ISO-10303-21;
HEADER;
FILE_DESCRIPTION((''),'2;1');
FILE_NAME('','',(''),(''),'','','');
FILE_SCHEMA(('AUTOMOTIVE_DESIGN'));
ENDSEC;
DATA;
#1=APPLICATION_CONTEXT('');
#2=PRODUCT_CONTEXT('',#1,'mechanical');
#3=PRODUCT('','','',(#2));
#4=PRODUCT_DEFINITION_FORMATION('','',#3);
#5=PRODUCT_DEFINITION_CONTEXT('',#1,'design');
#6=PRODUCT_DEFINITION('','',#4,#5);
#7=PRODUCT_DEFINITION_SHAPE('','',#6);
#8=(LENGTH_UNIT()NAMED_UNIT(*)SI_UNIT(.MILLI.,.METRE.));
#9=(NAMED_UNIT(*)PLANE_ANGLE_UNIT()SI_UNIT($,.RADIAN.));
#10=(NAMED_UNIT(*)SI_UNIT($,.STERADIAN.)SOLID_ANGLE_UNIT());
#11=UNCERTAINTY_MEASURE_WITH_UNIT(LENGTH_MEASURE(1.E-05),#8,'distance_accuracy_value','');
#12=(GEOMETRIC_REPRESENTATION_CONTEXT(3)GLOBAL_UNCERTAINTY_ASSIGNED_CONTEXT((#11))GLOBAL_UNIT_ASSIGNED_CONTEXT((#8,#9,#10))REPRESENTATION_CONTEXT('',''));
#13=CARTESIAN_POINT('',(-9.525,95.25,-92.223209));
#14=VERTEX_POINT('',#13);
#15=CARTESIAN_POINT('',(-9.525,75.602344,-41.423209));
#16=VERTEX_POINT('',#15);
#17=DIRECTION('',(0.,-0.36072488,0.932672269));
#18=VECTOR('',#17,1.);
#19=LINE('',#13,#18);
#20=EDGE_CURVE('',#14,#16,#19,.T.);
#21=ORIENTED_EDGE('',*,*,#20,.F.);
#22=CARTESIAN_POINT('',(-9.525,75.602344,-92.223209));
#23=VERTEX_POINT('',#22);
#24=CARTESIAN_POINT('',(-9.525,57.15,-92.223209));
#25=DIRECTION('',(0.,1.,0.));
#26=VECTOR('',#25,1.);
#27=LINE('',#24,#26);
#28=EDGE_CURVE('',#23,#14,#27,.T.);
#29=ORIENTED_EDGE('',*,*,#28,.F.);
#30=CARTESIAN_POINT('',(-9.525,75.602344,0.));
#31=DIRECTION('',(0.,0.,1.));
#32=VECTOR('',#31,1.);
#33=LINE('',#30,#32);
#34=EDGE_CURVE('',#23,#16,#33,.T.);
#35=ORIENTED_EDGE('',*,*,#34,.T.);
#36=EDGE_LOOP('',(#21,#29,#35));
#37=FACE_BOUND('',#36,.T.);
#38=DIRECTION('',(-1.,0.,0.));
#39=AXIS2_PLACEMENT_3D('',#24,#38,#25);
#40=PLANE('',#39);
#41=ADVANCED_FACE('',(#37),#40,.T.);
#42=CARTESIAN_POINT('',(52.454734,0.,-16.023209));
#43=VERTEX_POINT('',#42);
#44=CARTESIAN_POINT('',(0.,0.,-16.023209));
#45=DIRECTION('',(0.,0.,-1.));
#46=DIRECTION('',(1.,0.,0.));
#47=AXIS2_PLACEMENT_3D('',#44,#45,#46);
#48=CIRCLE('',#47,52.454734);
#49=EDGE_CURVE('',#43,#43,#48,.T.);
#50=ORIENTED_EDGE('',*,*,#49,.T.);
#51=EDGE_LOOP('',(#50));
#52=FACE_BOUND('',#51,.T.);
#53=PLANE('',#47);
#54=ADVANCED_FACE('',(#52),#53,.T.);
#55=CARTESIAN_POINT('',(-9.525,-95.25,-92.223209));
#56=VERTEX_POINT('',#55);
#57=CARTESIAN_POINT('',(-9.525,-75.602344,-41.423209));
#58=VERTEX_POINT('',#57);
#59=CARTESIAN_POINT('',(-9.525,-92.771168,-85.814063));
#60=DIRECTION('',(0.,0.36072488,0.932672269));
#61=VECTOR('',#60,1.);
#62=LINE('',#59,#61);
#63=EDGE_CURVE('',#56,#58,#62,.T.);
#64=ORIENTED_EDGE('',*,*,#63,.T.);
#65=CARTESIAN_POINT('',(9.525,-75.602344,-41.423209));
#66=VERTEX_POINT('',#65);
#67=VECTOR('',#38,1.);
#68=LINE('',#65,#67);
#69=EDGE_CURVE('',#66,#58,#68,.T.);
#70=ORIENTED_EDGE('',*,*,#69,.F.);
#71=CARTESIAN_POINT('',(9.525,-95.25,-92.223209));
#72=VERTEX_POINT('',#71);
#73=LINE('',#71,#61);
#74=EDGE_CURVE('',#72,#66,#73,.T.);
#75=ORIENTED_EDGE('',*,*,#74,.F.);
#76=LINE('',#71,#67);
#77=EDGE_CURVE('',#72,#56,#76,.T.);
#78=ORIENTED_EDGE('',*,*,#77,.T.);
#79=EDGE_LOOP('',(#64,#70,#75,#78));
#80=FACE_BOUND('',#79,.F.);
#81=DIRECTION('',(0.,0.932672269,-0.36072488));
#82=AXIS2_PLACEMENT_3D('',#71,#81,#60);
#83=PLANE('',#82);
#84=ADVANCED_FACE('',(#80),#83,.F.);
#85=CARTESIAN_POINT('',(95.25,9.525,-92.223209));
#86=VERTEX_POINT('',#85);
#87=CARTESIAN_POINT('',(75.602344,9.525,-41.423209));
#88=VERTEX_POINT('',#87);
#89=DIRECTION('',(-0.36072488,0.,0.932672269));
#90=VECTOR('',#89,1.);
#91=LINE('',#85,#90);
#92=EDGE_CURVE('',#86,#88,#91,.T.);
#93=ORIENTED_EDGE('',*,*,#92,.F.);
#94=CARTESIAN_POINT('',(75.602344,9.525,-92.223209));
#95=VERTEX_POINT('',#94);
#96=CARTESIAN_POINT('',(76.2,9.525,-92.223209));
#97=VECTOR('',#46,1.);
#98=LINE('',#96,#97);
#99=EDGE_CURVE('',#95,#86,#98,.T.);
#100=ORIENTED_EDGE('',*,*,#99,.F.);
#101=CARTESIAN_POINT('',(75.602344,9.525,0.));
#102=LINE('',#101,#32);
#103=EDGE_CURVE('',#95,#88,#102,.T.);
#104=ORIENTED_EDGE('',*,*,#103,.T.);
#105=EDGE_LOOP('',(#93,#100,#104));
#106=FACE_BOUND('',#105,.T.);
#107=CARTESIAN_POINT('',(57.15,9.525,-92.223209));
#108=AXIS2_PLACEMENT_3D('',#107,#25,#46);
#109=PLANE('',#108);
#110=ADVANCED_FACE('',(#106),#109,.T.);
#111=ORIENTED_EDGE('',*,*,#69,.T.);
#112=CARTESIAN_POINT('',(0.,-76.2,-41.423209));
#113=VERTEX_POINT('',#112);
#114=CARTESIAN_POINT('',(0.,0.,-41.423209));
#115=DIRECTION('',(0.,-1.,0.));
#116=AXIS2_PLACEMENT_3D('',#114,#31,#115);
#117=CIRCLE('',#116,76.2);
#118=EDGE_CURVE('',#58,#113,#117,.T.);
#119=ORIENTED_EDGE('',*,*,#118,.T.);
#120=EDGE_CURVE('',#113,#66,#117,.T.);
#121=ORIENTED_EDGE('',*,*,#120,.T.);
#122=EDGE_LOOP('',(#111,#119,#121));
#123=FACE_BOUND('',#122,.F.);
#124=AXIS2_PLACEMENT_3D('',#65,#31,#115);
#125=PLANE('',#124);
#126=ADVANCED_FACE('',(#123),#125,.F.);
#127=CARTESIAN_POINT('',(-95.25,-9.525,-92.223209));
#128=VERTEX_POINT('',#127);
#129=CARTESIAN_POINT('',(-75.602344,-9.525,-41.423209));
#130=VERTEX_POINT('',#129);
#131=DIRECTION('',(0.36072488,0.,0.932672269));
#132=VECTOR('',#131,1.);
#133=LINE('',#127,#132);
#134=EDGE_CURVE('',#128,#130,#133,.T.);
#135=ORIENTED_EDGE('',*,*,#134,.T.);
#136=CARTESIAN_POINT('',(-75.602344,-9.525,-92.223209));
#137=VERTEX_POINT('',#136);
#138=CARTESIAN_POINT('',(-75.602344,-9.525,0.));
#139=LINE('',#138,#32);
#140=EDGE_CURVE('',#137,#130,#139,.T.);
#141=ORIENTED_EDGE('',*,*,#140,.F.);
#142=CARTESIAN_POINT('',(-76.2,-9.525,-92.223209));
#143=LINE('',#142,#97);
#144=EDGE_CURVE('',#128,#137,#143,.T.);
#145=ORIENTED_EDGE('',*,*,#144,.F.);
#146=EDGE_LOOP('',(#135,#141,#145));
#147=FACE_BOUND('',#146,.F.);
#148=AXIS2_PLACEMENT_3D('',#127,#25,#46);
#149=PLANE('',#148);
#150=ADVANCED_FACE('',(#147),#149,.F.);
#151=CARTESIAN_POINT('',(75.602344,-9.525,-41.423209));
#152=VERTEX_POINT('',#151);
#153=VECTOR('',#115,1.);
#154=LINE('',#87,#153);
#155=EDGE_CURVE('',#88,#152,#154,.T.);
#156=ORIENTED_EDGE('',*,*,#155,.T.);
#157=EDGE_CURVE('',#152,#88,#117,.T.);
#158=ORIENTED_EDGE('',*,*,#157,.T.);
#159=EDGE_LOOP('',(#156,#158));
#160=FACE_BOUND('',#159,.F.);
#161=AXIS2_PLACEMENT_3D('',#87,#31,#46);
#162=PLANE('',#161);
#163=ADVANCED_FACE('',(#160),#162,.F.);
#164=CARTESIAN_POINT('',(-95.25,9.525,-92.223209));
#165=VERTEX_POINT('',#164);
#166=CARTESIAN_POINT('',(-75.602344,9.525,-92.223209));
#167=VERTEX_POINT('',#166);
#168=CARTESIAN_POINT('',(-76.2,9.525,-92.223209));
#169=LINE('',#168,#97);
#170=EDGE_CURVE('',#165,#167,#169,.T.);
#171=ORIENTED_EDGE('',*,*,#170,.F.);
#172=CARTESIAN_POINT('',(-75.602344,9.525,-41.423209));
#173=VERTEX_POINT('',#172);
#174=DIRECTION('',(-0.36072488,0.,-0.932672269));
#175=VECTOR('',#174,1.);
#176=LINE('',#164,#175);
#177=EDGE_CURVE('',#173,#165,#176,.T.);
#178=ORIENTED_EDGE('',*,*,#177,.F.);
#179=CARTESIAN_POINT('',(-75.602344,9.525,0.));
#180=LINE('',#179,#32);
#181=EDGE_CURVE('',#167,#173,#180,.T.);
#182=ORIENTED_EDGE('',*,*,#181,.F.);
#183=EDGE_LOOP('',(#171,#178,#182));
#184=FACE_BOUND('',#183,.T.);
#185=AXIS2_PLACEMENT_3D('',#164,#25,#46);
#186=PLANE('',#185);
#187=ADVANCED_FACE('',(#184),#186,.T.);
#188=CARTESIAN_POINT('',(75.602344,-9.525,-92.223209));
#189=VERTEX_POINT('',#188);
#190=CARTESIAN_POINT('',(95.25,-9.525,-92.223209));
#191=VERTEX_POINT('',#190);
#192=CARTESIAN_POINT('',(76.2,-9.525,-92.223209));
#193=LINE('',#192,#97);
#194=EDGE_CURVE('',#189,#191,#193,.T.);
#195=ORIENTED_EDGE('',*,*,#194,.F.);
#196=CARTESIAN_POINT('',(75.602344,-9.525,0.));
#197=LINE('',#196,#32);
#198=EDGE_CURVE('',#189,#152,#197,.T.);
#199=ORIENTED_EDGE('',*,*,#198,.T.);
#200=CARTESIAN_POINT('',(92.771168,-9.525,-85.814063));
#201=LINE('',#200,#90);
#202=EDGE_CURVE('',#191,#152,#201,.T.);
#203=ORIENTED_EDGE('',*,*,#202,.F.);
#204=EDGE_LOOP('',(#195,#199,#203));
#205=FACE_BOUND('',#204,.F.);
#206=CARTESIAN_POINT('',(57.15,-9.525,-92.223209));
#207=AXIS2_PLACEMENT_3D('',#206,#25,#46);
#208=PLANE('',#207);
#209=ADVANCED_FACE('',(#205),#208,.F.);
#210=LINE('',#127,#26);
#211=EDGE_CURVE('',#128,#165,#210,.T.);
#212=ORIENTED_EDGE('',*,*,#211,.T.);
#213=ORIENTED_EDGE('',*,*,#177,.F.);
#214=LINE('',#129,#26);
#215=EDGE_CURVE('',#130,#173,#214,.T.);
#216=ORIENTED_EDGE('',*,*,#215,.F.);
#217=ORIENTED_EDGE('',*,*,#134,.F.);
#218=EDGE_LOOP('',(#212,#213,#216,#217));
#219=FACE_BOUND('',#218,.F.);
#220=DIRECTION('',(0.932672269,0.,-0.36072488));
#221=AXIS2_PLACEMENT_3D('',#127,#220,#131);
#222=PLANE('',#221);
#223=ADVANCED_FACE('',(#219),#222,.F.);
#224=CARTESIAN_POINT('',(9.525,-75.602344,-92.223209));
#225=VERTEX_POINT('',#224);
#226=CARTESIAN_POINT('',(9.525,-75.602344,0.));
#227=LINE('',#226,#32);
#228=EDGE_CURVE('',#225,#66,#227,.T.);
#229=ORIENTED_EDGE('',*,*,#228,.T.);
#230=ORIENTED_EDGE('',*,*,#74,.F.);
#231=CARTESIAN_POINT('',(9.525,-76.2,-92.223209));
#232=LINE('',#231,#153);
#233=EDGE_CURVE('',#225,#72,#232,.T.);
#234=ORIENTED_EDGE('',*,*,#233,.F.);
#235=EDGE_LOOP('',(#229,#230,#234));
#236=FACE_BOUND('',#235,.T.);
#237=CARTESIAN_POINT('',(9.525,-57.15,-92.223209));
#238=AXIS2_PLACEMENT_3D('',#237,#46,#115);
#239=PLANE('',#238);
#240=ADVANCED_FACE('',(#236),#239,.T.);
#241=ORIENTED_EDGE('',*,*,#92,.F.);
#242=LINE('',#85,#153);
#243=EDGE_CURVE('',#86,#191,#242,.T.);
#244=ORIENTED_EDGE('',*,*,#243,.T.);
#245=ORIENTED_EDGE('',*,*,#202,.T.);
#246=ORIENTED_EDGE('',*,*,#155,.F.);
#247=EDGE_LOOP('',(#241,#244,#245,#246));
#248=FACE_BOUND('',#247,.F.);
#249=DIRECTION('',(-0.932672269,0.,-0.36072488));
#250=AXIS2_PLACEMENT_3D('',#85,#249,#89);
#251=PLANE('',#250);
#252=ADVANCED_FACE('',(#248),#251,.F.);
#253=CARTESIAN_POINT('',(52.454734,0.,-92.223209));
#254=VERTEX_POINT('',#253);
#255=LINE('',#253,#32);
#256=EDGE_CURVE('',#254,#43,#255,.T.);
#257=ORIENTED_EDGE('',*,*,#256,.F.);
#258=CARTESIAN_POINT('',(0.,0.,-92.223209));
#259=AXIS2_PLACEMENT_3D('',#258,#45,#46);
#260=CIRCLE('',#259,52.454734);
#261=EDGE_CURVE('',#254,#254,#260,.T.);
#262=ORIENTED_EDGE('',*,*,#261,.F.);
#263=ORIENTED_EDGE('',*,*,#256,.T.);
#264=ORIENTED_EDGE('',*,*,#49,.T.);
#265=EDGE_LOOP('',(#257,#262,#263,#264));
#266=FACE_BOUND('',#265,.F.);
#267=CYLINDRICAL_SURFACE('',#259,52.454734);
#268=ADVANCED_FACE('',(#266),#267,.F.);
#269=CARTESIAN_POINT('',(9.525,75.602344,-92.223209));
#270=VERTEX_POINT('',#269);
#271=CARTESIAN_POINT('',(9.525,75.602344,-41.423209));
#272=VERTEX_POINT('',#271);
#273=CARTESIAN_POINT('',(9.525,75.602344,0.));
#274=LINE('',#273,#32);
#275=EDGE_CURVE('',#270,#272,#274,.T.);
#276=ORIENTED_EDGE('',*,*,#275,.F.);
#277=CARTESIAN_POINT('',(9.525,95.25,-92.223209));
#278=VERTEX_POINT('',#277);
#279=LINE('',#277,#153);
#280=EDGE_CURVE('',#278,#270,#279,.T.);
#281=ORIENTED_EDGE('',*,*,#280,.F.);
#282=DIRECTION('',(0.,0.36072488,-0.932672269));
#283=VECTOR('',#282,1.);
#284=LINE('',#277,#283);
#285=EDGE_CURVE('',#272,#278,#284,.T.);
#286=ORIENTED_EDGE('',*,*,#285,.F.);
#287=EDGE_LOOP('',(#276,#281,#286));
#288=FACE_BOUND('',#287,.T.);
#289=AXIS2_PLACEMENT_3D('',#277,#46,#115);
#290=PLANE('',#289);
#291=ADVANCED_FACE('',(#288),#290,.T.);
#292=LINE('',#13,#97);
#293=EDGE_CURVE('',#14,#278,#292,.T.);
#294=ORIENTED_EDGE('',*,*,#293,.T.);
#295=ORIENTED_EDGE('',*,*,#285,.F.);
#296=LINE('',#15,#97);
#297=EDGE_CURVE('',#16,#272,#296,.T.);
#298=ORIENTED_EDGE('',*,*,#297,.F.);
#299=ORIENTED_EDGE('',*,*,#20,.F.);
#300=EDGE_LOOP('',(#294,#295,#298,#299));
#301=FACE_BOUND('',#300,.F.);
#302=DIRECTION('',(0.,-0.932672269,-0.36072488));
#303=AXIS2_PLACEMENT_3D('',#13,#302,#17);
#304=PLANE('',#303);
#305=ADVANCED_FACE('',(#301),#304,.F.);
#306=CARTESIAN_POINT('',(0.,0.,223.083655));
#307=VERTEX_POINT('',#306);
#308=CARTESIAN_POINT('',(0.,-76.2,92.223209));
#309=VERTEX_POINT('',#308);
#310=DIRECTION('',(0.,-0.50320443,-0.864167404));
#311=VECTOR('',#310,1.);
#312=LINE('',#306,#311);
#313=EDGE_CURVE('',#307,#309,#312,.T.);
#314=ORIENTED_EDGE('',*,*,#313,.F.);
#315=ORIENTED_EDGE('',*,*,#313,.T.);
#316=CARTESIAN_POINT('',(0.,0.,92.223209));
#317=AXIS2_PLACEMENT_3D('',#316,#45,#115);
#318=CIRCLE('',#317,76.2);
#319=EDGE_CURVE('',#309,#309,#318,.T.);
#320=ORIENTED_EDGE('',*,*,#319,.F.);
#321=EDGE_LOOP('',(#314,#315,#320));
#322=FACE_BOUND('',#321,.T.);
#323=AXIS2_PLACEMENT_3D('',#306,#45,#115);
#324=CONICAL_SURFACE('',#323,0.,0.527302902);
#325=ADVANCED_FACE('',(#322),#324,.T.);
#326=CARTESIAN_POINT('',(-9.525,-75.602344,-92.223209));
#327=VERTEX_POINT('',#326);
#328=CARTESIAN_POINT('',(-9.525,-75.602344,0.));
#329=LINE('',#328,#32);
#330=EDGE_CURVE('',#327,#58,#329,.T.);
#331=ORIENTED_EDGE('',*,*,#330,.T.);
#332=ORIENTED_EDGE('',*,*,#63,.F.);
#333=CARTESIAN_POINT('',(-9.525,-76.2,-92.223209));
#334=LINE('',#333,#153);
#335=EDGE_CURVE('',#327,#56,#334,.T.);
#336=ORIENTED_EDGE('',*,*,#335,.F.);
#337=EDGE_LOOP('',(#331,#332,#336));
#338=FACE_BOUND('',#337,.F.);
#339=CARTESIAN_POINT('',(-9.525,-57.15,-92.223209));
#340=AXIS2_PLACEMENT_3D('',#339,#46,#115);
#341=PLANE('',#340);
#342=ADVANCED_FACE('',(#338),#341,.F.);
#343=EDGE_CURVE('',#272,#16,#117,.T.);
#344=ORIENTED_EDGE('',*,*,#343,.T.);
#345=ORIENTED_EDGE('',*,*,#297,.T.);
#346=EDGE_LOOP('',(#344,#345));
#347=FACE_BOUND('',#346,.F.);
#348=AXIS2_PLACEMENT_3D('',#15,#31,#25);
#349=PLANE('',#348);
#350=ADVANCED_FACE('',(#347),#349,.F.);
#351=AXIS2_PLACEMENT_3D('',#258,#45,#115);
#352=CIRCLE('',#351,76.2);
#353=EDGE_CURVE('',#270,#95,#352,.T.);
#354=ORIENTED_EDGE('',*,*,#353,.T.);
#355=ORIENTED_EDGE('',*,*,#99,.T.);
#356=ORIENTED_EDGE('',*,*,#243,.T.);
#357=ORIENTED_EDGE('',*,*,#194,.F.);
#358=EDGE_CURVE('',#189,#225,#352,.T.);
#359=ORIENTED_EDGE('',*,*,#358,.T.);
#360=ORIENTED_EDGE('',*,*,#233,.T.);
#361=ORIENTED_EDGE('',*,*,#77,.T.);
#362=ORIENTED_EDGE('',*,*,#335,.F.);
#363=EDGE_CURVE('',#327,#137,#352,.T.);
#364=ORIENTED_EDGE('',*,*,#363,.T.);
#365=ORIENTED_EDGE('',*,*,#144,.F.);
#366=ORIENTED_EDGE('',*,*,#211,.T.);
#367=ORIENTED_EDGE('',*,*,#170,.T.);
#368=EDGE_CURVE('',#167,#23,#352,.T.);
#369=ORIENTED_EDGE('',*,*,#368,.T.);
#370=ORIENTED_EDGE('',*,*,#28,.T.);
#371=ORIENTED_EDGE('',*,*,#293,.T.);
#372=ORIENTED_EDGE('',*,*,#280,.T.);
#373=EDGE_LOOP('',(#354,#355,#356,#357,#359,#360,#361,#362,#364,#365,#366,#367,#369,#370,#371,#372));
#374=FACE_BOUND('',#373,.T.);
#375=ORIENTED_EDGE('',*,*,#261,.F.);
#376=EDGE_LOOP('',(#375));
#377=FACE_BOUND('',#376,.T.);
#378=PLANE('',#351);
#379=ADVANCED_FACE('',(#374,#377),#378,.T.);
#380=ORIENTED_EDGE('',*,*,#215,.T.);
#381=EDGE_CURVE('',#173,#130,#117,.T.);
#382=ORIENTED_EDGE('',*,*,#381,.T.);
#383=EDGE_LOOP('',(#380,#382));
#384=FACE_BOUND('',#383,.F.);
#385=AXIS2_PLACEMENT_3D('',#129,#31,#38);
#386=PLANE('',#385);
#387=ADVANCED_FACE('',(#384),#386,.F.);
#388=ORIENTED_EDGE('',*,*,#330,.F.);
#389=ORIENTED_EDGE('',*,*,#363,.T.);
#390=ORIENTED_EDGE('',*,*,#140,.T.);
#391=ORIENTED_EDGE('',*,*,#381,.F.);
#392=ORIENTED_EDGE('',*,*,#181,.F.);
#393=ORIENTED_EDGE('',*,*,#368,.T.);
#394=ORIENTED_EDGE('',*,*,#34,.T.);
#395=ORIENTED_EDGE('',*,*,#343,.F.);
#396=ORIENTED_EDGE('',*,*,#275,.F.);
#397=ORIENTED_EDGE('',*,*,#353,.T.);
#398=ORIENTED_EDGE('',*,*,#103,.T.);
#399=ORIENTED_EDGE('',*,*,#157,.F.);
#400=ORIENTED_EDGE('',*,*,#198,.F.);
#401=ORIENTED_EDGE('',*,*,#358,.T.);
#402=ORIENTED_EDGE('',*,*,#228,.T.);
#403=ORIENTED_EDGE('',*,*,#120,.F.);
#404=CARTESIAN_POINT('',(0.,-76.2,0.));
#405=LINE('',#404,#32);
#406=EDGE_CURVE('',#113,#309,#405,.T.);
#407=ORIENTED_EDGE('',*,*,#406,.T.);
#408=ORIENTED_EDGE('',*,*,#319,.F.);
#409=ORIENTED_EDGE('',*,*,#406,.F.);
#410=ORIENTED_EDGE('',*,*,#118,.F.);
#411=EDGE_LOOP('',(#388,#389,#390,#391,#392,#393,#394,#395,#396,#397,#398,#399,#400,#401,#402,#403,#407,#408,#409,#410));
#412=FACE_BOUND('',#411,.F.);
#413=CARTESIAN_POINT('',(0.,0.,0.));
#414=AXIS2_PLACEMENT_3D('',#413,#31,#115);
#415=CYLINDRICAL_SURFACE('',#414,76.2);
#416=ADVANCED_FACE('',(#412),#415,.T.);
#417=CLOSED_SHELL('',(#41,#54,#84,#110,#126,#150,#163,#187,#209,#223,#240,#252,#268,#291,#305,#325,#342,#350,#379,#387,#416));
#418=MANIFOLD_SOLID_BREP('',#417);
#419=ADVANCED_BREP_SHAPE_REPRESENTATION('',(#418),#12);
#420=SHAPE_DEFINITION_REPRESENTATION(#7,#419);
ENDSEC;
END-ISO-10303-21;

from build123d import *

# Parameters (mm, degrees)
F0_W      = 76.2
F0_H      = 184.446418
F2_R      = 52.454734
F3_DEPTH  = 76.2
F4_W      = 38.1
F4_H      = 9.525
F4_W_2    = 9.525
F4_H_2    = 38.1
F5_DEPTH  = 50.8
F7_DEPTH  = 104.776
F9_DEPTH  = 104.776
F11_DEPTH = 104.776
F13_DEPTH = 104.776


with BuildPart() as f1:
    # F0 (on Right) → F1 (revolve)
    with BuildSketch(Plane.YZ):
        Polygon((-76.2, 92.223209), (0, 92.223209), (0, 223.083655), align=None)
        with Locations((-38.1, 0)):
            Rectangle(F0_W, F0_H)
    revolve(axis=Axis((0, 0, 0), (0, 0, -1)))

    # F2 (on face) → F3 (cut)
    with BuildSketch(Plane(origin=(0, 0, -92.223209), x_dir=(1, 0, 0), z_dir=(0, 0, -1))):
        Circle(F2_R)
    extrude(amount=-F3_DEPTH, mode=Mode.SUBTRACT)

    # F4 (on face) → F5 (join)
    with BuildSketch(Plane(origin=(0, 0, -92.223209), x_dir=(1, 0, 0), z_dir=(0, 0, -1))):
        with Locations((76.2, -4.7625)):
            Rectangle(F4_W, F4_H)
        with Locations((76.2, 4.7625)):
            Rectangle(F4_W, F4_H)
        with Locations((-76.2, -4.7625)):
            Rectangle(F4_W, F4_H)
        with Locations((4.7625, 76.2)):
            Rectangle(F4_W_2, F4_H_2)
        with Locations((-4.7625, 76.2)):
            Rectangle(F4_W_2, F4_H_2)
        with Locations((-76.2, 4.7625)):
            Rectangle(F4_W, F4_H)
        Polygon((9.525, -57.15), (0, -57.15), (-9.525, -57.15), (-9.525, -95.25), (9.525, -95.25), align=None)
    extrude(amount=-F5_DEPTH)

    # F6 (on face) → F7 (cut, through all)
    with BuildSketch(Plane.XZ.offset(9.525)):
        Polygon((-95.25, -41.423209), (-95.25, -92.223209), (-75.602344, -41.423209), align=None)
    extrude(amount=-F7_DEPTH, mode=Mode.SUBTRACT)

    # F8 (on face) → F9 (cut, through all)
    with BuildSketch(Plane.YZ.offset(9.525)):
        Polygon((-95.25, -41.423209), (-95.25, -92.223209), (-75.602344, -41.423209), (-85.426172, -41.423209), align=None)
    extrude(amount=-F9_DEPTH, mode=Mode.SUBTRACT)

    # F10 (on face) → F11 (cut, through all)
    with BuildSketch(Plane(origin=(-9.525, 0, 0), x_dir=(0, -1, 0), z_dir=(-1, 0, 0))):
        Polygon((-95.25, -41.423209), (-95.25, -92.223209), (-75.602344, -41.423209), align=None)
    extrude(amount=-F11_DEPTH, mode=Mode.SUBTRACT)

    # F12 (on face) → F13 (cut, through all)
    with BuildSketch(Plane(origin=(0, 9.525, 0), x_dir=(-1, 0, 0), z_dir=(0, 1, 0))):
        Polygon((-95.25, -41.423209), (-95.25, -92.223209), (-75.602344, -41.423209), align=None)
    extrude(amount=-F13_DEPTH, mode=Mode.SUBTRACT)


solid = f1.part
